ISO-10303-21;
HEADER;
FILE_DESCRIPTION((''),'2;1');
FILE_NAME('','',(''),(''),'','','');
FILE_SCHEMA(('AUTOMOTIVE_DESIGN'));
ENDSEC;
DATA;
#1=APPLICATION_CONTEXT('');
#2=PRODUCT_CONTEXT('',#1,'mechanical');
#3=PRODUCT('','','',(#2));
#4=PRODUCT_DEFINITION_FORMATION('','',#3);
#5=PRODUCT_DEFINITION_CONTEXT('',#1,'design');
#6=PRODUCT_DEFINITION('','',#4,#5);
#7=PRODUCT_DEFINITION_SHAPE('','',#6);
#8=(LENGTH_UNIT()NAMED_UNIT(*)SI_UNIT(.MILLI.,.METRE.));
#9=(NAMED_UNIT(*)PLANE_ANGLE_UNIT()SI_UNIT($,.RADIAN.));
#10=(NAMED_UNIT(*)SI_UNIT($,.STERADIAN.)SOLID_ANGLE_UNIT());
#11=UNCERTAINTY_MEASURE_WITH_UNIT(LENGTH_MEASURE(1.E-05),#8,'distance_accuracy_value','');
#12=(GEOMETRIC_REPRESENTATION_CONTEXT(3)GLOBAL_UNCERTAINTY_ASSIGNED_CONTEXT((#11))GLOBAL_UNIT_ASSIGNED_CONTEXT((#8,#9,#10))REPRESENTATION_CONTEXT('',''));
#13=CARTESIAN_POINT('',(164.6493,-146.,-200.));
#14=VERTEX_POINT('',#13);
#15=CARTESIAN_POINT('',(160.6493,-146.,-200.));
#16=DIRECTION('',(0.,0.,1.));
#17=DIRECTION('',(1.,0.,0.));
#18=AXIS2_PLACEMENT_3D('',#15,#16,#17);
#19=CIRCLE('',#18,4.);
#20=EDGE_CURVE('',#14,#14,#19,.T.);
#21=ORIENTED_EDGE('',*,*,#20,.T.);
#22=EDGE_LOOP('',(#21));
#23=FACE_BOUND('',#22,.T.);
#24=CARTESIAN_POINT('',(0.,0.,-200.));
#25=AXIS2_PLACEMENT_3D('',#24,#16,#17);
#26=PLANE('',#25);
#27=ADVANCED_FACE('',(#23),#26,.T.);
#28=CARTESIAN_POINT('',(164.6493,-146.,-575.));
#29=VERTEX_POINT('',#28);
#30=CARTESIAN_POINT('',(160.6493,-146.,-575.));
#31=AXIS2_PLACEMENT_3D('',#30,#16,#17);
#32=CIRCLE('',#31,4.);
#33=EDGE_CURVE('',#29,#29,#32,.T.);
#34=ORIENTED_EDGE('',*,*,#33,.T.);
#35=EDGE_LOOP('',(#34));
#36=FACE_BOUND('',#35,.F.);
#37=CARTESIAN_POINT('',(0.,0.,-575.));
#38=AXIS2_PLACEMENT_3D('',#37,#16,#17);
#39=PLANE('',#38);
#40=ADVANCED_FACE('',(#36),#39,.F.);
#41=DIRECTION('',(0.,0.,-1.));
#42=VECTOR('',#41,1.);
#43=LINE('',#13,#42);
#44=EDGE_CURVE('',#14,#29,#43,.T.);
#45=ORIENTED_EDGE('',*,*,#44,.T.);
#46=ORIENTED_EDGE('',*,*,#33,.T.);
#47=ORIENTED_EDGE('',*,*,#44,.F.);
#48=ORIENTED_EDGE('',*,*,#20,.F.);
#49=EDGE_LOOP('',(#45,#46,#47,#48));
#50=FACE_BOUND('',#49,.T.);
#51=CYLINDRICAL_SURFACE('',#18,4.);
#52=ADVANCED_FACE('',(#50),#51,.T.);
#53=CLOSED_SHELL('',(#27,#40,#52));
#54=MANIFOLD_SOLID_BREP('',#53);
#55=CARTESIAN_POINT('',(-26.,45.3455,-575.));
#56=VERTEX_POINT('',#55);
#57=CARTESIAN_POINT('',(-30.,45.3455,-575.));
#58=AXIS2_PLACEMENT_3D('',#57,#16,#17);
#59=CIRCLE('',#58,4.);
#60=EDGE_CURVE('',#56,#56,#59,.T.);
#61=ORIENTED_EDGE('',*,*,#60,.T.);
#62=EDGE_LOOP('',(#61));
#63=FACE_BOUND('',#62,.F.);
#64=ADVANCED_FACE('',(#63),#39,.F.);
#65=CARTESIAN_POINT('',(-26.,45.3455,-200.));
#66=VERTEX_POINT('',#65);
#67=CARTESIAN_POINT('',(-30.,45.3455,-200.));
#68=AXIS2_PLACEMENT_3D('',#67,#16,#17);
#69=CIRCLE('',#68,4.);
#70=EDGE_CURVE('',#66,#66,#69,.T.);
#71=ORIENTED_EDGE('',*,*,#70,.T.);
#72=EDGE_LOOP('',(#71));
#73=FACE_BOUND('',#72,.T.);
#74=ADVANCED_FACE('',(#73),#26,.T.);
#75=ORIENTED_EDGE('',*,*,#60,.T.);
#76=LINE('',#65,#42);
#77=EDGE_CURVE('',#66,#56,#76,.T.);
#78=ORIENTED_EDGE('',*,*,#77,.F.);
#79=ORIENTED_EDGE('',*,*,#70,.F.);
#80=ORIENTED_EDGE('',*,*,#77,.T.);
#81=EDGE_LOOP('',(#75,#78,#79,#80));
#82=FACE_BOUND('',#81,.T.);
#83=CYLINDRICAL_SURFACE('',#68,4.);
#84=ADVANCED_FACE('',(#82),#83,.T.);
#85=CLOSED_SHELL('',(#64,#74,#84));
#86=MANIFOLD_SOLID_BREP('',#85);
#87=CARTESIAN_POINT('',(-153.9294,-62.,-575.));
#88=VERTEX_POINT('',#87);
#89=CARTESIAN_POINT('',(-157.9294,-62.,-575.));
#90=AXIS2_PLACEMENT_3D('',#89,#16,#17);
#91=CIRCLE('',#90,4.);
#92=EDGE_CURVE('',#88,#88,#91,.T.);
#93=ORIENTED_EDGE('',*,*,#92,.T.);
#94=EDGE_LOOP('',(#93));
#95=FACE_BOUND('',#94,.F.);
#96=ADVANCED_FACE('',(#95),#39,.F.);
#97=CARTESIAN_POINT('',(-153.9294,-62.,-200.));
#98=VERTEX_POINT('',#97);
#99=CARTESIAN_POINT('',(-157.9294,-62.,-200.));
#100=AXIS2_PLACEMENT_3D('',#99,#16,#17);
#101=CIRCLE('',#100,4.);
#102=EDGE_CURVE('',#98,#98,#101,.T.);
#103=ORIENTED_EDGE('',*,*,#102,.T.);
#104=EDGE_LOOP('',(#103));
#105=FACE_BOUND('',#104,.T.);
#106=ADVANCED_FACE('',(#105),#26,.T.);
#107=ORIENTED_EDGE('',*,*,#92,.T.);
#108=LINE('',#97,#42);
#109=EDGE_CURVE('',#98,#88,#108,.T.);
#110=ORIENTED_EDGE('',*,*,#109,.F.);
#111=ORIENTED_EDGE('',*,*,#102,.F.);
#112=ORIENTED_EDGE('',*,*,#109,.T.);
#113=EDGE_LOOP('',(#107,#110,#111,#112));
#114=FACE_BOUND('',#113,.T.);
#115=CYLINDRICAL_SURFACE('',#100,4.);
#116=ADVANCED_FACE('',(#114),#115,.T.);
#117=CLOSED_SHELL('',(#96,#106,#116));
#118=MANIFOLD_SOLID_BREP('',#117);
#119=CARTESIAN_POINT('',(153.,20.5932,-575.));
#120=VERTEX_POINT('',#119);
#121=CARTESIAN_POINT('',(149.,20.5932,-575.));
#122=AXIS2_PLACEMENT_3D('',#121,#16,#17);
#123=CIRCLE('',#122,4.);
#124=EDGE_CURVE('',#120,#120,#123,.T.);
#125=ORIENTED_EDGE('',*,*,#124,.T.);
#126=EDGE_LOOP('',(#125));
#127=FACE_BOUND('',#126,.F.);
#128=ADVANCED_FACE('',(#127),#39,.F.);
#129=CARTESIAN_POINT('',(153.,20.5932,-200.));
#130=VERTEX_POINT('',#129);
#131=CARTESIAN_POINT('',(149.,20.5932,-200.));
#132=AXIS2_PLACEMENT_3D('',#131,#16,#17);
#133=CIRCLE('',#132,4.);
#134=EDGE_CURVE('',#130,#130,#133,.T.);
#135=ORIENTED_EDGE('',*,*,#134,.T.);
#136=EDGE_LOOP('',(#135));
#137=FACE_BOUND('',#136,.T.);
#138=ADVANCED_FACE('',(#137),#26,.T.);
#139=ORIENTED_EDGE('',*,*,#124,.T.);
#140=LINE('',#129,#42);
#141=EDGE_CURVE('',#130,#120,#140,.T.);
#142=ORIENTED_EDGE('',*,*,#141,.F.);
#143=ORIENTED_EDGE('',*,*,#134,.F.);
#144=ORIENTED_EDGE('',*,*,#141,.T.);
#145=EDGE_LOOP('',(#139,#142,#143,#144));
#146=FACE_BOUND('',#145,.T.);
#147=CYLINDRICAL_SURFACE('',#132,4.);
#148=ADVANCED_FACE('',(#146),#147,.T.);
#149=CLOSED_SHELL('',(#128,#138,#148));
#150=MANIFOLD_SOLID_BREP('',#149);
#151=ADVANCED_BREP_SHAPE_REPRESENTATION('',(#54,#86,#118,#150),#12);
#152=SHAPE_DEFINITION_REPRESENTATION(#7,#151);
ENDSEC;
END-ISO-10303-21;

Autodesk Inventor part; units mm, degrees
ref_plane "XZ Plane" through (0, 0, 0) normal (0, 1, 0) x (-1, 0, 0)
ref_plane "Reference Plane" through (0, 0, -100) normal (0, 0, 1) x (1, 0, 0)
sketch "Reference Image" plane through (0, 0, -100) normal (0, 0, 1) x (1, 0, 0)
  line L0 (-272, 203) -> (280.3854, 203) construction
  line L1 (280.3854, 203) -> (280.3854, -210.4856) construction
  line L2 (280.3854, -210.4856) -> (-272, -210.4856) construction
  line L3 (-272, -210.4856) -> (-272, 203) construction
  line L4 (280.3854, 203) -> (-272, -210.4856) construction
  line L5 (-382.4771, 0) -> (390.8625, 0) construction
  line L6 (0, 285.6971) -> (0, -293.1827) construction
  point P0 (0, 0)
  dimension "d26" = 690
  dimension "d51" = 203
  dimension "d54" = 272
sketch "Mount Reference Sketch" plane through (0, 0, -100) normal (0, 0, 1) x (1, 0, 0)
  line L0 (-157.9294, -62) -> (-30, 45.3455) construction
  line L1 (0, 285.6971) -> (0, -293.1827) construction
  line L2 (-382.4771, 0) -> (390.8625, 0) construction
  line L3 (149, 20.5932) -> (160.6493, -146) construction
  point P0 (0, 0)
  dimension "d55" = 167
  dimension "d56" = 62
  dimension "d57" = 30
  dimension "d58" = 40
  dimension "d59" = 167
  dimension "d60" = 149
  dimension "d61" = 146
  dimension "d63" = 4
ref_plane "Mount Plane" through (0, 0, -200) normal (0, 0, 1) x (1, 0, 0)
sketch "Sketch4" plane through (0, 0, -200) normal (0, 0, 1) x (1, 0, 0)
  circle A0 centre (-30, 45.3455) radius 4
  circle A1 centre (-157.9294, -62) radius 4
  circle A2 centre (149, 20.5932) radius 4
  circle A3 centre (160.6493, -146) radius 4
  point P0 (0, 0)
  dimension "d67" = 8
extrude "Mount XY Axes" add sketch "Sketch4" against normal blind 375
sketch "Sketch5" plane through (0, 0, -200) normal (0, 0, 1) x (1, 0, 0)
  circle A0 centre (-25, -125) radius 84
  circle A1 centre (143, -66) radius 37.5
  line L0 (-382.4771, 0) -> (390.8625, 0) projected
  line L1 (0, 285.6971) -> (0, -293.1827) projected
  line L2 (-220.7259, 38.2795) -> (-109, -125)
  line L3 (-102.1982, 130.9826) -> (21.1457, -54.8104)
  line L4 (-102.1982, 130.9826) -> (-220.7259, 38.2795)
  circle A2 centre (149, 20.5932) radius 4 projected
  line L5 (21.1457, -54.8104) -> (149, 20.5932)
  line L6 (149, 20.5932) -> (153, -132.2859)
  line L7 (153, -132.2859) -> (58.431, -134.7602)
  point P0 (0, 0)
  point P1 (152.2167, -102.3497)
  point P2 (150.3033, -29.218)
  point P3 (149.1046, 16.5946)
  point P4 (145.5546, 18.5612)
  dimension "d70" = 168
  dimension "d71" = 125
  dimension "d72" = 25
  dimension "d73" = 75
  dimension "d74" = 66
  dimension "d75" = 143
extrude "ROUGH Engine Block" [suppressed]
properties part number "Engine_Mount_Reference_Model_V1"
